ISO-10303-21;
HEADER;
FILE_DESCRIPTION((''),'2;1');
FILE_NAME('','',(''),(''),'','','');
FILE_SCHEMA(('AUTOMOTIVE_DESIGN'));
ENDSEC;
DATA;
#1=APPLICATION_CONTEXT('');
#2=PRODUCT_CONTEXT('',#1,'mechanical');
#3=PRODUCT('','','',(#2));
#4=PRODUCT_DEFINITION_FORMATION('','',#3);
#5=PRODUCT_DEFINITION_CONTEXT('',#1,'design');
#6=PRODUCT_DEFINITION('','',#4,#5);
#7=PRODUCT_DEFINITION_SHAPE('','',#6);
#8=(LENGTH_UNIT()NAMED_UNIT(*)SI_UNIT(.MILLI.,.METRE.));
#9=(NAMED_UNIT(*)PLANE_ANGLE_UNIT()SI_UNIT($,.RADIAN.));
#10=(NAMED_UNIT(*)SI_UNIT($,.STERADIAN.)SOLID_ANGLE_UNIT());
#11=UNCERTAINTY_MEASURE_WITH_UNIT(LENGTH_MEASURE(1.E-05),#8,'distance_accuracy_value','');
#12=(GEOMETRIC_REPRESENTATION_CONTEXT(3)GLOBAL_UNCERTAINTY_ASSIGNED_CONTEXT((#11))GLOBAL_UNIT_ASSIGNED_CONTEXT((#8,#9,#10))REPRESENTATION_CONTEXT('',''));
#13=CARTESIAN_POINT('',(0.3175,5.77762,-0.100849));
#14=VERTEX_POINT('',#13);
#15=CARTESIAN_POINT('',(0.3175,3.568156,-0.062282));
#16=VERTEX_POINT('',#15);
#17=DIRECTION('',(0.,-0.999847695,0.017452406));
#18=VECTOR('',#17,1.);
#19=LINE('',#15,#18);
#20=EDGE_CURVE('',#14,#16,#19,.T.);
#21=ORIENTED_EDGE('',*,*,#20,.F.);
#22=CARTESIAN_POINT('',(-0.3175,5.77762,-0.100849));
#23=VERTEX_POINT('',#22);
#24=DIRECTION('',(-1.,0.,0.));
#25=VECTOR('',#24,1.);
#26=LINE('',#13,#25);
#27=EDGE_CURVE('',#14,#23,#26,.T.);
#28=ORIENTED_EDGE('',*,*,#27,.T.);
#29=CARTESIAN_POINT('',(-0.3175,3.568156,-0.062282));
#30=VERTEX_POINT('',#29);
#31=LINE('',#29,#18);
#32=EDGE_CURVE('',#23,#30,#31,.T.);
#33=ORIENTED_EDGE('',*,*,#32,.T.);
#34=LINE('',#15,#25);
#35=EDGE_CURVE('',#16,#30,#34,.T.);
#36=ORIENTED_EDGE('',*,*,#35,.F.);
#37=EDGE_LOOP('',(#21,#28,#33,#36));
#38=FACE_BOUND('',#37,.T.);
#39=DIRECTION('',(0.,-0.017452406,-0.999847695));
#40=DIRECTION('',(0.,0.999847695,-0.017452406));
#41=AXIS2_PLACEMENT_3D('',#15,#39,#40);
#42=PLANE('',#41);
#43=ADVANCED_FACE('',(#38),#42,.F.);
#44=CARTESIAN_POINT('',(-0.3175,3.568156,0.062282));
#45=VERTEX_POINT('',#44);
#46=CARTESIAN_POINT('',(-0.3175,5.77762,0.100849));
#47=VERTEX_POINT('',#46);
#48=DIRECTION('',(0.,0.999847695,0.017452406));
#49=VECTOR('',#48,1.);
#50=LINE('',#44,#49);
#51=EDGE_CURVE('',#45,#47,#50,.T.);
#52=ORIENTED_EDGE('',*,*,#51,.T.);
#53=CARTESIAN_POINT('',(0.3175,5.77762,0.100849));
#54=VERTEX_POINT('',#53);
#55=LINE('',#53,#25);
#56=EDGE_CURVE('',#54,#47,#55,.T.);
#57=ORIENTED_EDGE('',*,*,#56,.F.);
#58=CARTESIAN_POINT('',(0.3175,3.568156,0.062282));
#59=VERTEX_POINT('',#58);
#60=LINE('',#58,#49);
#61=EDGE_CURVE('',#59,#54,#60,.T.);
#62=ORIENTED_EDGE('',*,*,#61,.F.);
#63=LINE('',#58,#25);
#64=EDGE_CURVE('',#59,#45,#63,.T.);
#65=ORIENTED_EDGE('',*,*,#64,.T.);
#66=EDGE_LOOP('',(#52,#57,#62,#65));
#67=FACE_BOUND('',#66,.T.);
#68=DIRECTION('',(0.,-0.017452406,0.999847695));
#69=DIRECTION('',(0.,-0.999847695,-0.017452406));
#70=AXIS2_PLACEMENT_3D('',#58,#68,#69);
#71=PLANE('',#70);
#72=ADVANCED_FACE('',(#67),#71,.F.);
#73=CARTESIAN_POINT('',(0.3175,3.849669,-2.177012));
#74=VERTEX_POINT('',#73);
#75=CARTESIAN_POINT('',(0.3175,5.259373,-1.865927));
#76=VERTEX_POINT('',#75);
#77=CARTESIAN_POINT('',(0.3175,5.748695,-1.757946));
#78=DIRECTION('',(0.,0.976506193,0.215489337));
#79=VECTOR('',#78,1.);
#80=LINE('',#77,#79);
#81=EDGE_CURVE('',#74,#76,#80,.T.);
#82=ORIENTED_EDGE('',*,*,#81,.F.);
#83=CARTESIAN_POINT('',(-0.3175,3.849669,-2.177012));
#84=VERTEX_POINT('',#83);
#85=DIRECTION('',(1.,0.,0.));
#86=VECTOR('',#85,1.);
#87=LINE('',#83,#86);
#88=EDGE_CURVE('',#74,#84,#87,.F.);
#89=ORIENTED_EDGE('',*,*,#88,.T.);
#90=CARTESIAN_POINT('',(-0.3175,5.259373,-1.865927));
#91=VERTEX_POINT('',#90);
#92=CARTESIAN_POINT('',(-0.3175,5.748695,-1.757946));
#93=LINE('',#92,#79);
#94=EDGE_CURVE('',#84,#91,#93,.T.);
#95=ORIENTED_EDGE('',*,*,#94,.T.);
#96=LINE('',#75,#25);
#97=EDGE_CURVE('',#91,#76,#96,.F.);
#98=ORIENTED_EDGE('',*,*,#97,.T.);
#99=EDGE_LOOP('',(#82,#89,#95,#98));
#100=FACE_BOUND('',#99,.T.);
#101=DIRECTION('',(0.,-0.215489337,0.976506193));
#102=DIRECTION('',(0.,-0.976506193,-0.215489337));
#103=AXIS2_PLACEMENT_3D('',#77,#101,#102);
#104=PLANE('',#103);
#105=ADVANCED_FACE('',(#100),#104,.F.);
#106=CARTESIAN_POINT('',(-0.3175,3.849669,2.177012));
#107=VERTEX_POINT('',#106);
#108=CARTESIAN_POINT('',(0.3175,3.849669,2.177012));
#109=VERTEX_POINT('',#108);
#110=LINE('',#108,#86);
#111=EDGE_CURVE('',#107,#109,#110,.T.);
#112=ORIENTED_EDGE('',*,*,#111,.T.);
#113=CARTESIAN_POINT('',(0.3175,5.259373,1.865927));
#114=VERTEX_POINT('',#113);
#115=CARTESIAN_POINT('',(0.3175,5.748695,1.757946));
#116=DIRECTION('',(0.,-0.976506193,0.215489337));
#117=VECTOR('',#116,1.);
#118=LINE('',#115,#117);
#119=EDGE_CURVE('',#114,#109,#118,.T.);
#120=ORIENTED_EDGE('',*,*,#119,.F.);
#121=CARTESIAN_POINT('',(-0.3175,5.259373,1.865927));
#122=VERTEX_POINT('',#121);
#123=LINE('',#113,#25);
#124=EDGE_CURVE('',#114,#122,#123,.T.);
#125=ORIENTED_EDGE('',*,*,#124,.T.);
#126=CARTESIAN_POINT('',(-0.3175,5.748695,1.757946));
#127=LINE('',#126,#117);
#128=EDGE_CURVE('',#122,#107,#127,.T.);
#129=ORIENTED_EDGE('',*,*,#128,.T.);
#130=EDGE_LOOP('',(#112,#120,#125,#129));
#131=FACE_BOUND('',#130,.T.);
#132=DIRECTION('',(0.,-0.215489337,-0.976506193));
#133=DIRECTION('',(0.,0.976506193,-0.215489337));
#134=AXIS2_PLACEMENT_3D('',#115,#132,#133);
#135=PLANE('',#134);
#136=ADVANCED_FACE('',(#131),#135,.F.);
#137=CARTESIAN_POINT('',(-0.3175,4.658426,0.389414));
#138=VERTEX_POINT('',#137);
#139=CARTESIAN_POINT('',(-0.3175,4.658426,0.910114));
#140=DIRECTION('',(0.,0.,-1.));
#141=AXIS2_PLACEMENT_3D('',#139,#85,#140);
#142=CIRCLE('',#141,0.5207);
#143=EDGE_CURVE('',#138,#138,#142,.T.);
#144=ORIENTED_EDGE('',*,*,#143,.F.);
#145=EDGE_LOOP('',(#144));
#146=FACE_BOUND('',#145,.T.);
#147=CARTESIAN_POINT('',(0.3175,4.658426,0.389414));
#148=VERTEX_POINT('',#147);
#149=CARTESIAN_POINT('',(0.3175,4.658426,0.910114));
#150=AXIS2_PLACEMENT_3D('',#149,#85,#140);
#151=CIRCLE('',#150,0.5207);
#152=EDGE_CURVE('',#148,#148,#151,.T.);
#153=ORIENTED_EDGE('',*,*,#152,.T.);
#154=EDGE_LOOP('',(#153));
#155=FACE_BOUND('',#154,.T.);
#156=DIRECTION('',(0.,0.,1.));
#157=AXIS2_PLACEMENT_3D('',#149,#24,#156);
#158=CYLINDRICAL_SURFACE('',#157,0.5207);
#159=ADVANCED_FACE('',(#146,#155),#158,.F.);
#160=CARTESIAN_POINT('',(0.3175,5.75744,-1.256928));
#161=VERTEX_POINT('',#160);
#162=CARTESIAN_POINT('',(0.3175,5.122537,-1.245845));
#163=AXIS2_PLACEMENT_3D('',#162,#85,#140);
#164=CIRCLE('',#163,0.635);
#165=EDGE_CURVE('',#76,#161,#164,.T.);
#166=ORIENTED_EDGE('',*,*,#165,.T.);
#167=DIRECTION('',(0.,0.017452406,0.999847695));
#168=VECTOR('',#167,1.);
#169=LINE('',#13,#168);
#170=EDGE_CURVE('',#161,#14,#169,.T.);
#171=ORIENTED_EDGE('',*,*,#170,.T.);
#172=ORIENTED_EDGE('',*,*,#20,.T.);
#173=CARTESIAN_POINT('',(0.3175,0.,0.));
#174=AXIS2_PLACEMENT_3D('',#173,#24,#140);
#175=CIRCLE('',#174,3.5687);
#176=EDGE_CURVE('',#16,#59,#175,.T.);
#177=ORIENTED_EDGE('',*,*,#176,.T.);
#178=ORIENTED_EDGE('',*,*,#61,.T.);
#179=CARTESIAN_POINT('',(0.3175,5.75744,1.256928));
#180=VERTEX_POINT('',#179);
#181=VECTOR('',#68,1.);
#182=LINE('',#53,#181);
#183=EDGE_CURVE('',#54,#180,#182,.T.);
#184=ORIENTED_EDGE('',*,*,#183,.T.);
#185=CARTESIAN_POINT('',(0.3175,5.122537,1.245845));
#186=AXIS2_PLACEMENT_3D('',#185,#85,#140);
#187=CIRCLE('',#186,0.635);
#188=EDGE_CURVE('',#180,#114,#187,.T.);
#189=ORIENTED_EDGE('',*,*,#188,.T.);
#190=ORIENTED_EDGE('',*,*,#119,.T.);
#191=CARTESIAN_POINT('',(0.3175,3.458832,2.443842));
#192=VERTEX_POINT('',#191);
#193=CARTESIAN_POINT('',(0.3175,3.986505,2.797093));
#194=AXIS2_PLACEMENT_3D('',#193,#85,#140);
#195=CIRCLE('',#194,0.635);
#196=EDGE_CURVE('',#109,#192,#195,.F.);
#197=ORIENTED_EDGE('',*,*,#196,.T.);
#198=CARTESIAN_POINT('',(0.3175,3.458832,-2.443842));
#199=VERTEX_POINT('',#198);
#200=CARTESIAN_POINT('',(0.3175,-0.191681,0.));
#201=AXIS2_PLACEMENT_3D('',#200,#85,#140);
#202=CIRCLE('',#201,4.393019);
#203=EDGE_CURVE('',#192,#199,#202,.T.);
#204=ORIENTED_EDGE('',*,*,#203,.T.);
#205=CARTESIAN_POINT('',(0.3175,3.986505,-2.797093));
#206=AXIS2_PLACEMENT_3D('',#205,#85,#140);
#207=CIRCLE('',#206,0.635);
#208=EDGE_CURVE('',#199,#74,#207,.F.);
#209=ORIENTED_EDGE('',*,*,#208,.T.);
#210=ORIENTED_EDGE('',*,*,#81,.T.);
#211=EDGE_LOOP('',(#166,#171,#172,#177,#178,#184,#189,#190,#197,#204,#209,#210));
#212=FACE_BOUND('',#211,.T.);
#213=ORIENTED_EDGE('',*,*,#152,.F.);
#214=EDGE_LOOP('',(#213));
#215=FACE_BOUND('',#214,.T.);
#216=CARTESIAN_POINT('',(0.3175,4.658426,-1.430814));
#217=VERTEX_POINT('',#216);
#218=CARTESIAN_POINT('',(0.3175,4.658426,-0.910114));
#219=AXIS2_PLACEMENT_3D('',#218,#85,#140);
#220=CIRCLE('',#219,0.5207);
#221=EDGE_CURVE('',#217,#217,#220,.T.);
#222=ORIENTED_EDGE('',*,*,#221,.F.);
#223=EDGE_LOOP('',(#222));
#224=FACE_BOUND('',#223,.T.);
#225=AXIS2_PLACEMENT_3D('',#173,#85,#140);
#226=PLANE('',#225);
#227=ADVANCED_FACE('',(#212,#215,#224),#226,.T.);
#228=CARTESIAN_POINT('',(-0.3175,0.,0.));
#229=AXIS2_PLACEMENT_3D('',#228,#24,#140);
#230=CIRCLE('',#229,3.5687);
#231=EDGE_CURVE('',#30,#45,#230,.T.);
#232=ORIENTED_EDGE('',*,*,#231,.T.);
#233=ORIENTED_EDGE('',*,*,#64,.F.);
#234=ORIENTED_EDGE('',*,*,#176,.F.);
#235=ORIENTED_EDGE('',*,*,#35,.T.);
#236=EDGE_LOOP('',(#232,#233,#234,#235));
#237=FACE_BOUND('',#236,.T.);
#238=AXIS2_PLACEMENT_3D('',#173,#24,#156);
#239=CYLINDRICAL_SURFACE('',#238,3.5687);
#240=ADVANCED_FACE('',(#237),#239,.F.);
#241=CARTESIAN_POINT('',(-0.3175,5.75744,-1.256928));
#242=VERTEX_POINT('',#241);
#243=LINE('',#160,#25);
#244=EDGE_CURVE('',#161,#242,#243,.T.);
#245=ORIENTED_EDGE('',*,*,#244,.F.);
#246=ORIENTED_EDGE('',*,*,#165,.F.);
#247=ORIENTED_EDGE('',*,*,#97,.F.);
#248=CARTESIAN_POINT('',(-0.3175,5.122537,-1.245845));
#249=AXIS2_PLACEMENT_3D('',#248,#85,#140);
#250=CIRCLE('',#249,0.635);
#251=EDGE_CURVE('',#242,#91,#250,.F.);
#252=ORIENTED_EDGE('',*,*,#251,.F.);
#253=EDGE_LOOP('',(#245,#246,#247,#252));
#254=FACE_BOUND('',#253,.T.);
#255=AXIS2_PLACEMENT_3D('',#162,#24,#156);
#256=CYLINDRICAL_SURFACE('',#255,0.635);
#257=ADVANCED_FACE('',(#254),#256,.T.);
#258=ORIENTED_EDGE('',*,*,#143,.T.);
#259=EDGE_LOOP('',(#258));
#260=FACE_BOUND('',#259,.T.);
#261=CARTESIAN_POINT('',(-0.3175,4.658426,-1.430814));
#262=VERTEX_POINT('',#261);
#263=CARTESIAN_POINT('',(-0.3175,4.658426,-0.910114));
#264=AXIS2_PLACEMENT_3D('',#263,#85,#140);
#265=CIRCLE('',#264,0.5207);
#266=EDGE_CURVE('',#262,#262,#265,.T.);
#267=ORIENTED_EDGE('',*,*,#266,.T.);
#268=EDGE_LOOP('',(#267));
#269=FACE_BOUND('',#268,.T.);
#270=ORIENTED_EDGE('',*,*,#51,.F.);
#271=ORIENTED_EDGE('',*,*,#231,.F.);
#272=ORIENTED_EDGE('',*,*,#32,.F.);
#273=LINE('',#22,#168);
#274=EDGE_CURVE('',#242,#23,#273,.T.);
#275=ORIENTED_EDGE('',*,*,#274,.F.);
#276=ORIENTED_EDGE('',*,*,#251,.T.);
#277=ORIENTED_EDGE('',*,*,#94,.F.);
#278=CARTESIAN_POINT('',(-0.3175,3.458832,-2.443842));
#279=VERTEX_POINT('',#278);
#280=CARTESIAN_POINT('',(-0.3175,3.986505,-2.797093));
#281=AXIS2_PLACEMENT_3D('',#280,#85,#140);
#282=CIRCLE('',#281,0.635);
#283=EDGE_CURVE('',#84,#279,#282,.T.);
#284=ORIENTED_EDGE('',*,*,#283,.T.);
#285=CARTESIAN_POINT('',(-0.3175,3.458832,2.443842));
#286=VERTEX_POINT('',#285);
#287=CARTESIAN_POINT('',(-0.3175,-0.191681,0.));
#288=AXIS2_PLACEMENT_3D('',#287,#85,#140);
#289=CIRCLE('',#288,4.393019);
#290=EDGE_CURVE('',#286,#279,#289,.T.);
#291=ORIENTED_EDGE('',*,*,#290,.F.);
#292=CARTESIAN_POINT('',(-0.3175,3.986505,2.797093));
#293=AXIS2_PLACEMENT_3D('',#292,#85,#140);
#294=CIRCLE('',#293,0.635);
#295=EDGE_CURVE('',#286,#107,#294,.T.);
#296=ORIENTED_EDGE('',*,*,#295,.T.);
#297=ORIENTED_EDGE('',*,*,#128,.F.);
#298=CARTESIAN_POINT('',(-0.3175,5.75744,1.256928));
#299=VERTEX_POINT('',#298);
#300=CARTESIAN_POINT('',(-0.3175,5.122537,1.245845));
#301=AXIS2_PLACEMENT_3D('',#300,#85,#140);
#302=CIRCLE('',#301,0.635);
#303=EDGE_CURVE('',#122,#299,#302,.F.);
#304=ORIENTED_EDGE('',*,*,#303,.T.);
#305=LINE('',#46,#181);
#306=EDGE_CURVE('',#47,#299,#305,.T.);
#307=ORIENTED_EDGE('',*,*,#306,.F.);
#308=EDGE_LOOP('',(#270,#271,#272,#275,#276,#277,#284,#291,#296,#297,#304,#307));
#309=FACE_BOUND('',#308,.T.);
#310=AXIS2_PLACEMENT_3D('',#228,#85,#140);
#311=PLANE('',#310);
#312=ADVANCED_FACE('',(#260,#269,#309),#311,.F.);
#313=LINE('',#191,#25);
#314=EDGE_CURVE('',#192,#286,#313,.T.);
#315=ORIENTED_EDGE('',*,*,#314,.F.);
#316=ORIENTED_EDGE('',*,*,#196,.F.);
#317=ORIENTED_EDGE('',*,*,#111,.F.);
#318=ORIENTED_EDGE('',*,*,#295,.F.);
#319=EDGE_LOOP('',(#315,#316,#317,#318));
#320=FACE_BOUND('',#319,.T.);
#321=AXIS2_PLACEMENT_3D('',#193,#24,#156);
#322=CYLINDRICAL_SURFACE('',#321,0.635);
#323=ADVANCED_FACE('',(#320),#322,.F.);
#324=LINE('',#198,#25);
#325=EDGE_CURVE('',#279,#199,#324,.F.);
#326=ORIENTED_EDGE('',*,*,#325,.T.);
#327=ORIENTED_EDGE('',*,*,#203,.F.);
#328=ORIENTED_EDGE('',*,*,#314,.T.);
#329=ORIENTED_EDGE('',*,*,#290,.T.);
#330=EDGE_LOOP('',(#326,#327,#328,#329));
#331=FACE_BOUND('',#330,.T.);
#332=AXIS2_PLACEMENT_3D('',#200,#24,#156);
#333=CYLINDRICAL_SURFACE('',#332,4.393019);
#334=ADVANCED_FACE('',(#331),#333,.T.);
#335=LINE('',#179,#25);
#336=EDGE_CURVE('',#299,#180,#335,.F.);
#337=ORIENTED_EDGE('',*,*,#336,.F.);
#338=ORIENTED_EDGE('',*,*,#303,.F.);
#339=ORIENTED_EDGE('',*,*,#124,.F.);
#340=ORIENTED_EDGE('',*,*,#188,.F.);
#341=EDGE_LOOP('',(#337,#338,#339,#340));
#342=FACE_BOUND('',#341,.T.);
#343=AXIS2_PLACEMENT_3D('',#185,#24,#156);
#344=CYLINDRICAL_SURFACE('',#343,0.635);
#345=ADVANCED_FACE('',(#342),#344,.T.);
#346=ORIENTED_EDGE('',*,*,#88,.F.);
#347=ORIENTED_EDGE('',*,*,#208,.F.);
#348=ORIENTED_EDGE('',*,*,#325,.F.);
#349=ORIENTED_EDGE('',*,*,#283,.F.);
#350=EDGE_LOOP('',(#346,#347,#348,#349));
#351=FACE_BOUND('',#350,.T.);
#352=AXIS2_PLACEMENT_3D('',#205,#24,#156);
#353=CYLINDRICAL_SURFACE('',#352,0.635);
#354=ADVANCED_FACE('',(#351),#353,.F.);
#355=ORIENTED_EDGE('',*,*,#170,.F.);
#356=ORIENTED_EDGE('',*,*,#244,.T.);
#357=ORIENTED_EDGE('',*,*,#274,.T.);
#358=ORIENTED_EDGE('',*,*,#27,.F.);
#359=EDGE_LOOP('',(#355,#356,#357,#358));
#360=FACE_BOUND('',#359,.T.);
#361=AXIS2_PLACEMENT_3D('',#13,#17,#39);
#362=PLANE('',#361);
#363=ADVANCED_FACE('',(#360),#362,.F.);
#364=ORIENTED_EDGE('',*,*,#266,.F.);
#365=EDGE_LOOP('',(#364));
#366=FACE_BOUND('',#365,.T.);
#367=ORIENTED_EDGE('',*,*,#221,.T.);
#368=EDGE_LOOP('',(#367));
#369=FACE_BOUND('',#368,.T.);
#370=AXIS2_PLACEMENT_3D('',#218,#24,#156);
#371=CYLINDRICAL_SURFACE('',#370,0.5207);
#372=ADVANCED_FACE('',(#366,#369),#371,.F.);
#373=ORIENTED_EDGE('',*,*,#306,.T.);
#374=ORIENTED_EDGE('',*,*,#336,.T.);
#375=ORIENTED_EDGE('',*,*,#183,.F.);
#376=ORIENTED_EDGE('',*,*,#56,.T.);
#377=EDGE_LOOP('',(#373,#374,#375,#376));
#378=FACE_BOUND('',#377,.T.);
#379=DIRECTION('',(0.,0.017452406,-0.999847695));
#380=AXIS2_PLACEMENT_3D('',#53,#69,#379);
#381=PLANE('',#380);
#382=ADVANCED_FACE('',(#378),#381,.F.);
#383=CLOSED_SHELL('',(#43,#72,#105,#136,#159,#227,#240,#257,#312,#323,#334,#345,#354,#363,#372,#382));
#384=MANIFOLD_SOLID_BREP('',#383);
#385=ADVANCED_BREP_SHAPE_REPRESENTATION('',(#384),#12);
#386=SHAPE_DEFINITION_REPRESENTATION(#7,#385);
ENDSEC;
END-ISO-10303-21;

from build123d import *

# Parameters (mm, degrees)
SKETCH1_R      = 0.5207
EXTRUDE1_DEPTH = 0.3175
FILLET1_R      = 0.635


with BuildPart() as part:
    # Sketch1 → Extrude1 (new body, symmetric)
    with BuildSketch(Plane(origin=(0, 0, 0), x_dir=(0, 0, -1), z_dir=(1, 0, 0))):
        with BuildLine():
            Line((-0.062282403, 3.56815647), (-0.100848731, 5.777619906))
            Line((-0.100848731, 5.777619906), (-1.757946308, 5.748695161))
            Line((-1.757946308, 5.748695161), (-2.234134645, 3.590811774))
            ThreePointArc((-2.234134645, 3.590811774), (0, -4.5847), (2.234134645, 3.590811774))
            Line((2.234134645, 3.590811774), (1.757946308, 5.748695161))
            Line((1.757946308, 5.748695161), (0.100848731, 5.777619906))
            Line((0.100848731, 5.777619906), (0.062282403, 3.56815647))
            ThreePointArc((0.062282403, 3.56815647), (0, -3.5687), (-0.062282403, 3.56815647))
        make_face()
        with Locations((-0.910114356, 4.658425815)):
            Circle(SKETCH1_R, mode=Mode.SUBTRACT)
        with Locations((0.910114356, 4.658425815)):
            Circle(SKETCH1_R, mode=Mode.SUBTRACT)
    extrude(amount=EXTRUDE1_DEPTH, both=True)

    # Fillet1
    fillet1_edges = [part.edges().sort_by_distance(p)[0] for p in [
        (0, 5.748695161, -1.757946308),
        (0, 3.590811774, -2.234134645),
        (0, 3.590811774, 2.234134645),
        (0, 5.748695161, 1.757946308),
    ]]
    fillet(fillet1_edges, radius=FILLET1_R)


solid = part.part
